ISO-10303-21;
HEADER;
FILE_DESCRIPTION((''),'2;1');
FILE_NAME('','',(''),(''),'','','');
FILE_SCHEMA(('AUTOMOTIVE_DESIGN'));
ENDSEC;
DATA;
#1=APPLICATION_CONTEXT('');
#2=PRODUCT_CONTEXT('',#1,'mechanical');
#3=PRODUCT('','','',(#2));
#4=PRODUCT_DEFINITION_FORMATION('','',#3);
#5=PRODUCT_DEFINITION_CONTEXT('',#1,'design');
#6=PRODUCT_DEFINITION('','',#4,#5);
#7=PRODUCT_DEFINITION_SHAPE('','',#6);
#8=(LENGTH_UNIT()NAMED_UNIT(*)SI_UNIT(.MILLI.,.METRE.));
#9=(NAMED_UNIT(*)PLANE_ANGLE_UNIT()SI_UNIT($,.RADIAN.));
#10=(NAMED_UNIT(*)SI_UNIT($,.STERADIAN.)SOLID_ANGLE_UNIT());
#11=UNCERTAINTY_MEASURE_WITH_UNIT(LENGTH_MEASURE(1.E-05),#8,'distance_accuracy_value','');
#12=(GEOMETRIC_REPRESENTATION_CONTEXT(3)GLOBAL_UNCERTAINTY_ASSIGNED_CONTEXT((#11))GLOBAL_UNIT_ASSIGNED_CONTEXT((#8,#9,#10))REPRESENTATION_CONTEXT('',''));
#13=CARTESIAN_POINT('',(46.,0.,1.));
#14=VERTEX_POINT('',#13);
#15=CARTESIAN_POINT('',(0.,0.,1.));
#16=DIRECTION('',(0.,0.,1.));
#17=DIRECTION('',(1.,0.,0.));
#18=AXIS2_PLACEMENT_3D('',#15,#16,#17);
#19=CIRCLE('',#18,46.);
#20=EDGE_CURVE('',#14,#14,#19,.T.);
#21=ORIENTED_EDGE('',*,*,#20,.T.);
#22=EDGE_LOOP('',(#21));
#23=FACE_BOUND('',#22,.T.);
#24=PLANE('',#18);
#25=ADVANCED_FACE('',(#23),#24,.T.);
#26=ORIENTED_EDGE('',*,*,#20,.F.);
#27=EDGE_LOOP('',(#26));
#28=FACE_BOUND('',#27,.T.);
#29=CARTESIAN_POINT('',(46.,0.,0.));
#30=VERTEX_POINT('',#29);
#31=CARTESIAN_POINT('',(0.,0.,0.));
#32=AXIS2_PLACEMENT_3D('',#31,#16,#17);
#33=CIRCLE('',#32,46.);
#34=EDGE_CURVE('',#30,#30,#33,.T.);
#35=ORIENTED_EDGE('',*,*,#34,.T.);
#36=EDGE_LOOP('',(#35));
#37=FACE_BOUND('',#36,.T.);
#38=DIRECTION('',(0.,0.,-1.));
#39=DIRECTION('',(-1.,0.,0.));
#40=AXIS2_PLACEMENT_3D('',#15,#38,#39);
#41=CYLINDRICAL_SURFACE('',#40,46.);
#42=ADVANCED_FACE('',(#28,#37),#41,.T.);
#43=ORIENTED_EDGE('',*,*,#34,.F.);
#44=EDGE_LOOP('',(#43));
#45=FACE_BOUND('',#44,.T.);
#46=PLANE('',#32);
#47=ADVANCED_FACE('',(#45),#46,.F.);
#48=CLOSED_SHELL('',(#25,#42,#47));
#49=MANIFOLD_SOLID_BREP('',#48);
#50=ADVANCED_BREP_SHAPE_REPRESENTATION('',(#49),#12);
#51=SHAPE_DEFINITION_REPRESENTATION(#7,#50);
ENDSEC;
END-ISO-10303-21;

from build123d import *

# Parameters (mm, degrees)
SKETCH1_R           = 46
BOSS_EXTRUDE1_DEPTH = 1


with BuildPart() as part:
    # Sketch1 → Boss-Extrude1 (new body)
    with BuildSketch(Plane.XY):
        Circle(SKETCH1_R)
    extrude(amount=BOSS_EXTRUDE1_DEPTH)


solid = part.part
